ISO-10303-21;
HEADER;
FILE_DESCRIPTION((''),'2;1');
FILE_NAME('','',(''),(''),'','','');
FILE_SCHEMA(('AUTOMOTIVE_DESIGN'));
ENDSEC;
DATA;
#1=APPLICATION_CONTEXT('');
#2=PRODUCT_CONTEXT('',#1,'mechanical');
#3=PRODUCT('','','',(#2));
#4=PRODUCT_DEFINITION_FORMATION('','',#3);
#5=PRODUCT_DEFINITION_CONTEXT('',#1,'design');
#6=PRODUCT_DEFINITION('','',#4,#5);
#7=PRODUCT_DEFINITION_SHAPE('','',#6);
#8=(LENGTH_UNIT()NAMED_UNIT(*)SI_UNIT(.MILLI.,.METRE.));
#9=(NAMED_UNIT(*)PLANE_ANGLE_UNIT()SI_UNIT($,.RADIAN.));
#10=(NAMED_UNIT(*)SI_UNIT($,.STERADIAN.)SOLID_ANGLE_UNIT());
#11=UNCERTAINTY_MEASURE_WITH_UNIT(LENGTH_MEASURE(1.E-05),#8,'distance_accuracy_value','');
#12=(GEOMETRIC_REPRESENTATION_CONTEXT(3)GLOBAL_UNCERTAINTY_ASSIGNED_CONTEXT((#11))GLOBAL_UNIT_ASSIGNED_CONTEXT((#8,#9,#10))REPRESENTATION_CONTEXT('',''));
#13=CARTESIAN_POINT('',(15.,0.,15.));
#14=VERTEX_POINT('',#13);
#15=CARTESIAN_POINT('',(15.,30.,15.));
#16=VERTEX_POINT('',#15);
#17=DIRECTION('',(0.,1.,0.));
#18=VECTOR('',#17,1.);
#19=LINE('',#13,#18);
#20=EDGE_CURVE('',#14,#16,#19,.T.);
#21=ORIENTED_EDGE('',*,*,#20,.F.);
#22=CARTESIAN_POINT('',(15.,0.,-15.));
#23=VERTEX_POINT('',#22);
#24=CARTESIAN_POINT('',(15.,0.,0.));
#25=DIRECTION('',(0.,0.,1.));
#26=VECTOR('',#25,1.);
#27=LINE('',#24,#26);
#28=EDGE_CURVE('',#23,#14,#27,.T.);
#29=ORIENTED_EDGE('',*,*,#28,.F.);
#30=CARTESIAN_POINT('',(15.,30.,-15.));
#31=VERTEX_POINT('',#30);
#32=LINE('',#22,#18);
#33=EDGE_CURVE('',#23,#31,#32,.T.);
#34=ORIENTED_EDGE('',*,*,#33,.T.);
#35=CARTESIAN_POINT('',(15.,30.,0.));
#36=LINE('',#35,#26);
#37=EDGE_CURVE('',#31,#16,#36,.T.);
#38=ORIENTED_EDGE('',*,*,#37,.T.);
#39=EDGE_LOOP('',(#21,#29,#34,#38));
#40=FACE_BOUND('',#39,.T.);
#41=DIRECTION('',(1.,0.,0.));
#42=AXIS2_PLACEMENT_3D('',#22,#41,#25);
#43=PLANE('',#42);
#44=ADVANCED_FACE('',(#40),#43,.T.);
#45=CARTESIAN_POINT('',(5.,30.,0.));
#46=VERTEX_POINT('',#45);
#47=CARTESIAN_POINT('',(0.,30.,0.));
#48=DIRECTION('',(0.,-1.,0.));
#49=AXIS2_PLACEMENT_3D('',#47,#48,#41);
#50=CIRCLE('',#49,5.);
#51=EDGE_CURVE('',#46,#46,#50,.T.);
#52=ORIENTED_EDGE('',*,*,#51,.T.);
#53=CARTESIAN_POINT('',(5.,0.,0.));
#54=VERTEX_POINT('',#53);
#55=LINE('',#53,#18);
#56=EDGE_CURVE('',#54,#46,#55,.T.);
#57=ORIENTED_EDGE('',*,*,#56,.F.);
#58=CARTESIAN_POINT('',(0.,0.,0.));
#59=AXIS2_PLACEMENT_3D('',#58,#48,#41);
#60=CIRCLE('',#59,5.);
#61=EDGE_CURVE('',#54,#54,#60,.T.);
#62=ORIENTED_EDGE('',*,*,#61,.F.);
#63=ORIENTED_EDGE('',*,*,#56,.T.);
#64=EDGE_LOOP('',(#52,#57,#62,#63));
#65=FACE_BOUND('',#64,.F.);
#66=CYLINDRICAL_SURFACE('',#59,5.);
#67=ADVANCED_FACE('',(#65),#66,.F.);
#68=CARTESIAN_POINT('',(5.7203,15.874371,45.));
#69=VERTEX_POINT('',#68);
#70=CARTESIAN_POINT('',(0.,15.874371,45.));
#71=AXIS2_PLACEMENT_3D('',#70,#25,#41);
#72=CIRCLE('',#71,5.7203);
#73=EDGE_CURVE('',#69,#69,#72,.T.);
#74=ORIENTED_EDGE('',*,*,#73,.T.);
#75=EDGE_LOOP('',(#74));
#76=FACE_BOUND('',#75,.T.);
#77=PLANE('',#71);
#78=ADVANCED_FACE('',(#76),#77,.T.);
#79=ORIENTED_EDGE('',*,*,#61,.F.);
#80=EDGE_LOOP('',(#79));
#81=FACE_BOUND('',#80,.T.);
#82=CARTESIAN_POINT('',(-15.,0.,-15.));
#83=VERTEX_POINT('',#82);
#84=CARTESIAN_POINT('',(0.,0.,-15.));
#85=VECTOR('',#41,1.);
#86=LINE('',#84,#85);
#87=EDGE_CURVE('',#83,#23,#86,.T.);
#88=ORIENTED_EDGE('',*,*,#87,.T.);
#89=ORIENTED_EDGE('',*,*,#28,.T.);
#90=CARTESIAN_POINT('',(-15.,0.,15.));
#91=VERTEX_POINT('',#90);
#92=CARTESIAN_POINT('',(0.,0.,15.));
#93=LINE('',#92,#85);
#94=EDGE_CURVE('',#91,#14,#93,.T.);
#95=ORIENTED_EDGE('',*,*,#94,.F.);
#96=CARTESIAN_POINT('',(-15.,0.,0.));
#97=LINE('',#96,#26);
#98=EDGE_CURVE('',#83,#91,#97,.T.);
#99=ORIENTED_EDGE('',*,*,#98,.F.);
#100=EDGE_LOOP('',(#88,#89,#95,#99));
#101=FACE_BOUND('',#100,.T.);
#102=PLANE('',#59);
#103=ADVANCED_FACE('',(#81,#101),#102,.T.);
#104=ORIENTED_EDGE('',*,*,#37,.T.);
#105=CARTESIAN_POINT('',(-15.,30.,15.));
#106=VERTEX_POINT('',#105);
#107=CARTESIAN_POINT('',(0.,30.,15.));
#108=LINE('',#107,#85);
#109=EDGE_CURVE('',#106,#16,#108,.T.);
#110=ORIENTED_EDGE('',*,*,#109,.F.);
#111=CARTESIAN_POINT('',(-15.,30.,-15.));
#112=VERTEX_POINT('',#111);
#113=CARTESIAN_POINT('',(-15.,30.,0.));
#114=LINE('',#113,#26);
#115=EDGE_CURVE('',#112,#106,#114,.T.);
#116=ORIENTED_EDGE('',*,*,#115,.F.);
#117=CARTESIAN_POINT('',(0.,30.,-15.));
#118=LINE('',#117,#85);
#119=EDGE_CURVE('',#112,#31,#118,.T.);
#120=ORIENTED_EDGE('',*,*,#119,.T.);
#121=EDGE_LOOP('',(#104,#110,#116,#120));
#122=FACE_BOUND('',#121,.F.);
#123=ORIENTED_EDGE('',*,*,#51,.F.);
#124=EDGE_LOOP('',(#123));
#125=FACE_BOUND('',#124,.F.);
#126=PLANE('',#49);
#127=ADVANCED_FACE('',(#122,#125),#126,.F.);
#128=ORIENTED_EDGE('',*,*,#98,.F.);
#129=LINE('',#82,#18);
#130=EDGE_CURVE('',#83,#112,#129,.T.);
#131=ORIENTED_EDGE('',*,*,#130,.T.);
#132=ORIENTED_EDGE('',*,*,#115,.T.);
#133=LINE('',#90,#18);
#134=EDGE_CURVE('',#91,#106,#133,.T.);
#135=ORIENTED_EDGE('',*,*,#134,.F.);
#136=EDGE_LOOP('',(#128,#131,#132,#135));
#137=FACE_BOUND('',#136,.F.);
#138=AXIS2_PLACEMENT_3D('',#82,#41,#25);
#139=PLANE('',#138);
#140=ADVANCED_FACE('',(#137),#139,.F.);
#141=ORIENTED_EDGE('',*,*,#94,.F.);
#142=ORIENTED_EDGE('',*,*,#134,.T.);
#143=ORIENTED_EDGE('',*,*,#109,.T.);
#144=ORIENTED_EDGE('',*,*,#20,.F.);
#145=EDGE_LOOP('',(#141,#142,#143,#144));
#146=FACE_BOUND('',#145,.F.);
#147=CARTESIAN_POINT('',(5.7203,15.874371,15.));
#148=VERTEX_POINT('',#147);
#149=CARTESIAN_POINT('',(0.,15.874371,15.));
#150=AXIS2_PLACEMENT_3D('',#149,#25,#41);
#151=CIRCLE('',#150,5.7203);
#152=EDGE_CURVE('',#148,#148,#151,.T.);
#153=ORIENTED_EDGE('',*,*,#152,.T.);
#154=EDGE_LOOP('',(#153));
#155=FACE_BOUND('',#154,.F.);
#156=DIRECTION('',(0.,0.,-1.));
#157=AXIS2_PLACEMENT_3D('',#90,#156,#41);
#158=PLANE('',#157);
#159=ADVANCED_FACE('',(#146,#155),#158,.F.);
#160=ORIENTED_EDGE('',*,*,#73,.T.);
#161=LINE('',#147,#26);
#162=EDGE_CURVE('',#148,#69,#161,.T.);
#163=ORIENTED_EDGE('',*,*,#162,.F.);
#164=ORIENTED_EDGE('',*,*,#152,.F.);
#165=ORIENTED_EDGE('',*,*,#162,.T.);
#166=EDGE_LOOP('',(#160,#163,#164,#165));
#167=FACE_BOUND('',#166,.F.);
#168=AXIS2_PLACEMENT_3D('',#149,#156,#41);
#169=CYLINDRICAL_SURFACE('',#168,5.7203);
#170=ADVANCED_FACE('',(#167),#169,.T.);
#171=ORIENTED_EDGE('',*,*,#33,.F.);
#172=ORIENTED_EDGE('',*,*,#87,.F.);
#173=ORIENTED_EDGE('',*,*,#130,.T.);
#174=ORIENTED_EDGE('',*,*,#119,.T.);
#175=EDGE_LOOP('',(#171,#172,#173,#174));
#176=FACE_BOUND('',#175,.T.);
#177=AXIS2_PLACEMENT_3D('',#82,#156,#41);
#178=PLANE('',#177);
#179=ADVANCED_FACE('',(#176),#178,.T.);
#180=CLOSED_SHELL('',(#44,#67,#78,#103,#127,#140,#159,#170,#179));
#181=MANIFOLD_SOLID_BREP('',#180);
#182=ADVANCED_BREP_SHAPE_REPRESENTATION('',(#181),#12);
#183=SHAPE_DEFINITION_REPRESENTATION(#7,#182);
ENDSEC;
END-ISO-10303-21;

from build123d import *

# Parameters (mm, degrees)
F0_W     = 30
F0_H     = 30
F1_DEPTH = 30
F2_R     = 5
F3_DEPTH = 30
F4_R     = 5.7203
F5_DEPTH = 30


with BuildPart() as f1:
    # F0 (on Front) → F1 (new body)
    with BuildSketch(Plane.XZ):
        Rectangle(F0_W, F0_H)
    extrude(amount=-F1_DEPTH)

    # F2 (on face) → F3 (cut)
    with BuildSketch(Plane.XZ):
        Circle(F2_R)
    extrude(amount=-F3_DEPTH, mode=Mode.SUBTRACT)

    # F4 (on face) → F5 (join)
    with BuildSketch(Plane.XY.offset(15)):
        with Locations((0, 15.874371)):
            Circle(F4_R)
    extrude(amount=F5_DEPTH)


solid = f1.part
